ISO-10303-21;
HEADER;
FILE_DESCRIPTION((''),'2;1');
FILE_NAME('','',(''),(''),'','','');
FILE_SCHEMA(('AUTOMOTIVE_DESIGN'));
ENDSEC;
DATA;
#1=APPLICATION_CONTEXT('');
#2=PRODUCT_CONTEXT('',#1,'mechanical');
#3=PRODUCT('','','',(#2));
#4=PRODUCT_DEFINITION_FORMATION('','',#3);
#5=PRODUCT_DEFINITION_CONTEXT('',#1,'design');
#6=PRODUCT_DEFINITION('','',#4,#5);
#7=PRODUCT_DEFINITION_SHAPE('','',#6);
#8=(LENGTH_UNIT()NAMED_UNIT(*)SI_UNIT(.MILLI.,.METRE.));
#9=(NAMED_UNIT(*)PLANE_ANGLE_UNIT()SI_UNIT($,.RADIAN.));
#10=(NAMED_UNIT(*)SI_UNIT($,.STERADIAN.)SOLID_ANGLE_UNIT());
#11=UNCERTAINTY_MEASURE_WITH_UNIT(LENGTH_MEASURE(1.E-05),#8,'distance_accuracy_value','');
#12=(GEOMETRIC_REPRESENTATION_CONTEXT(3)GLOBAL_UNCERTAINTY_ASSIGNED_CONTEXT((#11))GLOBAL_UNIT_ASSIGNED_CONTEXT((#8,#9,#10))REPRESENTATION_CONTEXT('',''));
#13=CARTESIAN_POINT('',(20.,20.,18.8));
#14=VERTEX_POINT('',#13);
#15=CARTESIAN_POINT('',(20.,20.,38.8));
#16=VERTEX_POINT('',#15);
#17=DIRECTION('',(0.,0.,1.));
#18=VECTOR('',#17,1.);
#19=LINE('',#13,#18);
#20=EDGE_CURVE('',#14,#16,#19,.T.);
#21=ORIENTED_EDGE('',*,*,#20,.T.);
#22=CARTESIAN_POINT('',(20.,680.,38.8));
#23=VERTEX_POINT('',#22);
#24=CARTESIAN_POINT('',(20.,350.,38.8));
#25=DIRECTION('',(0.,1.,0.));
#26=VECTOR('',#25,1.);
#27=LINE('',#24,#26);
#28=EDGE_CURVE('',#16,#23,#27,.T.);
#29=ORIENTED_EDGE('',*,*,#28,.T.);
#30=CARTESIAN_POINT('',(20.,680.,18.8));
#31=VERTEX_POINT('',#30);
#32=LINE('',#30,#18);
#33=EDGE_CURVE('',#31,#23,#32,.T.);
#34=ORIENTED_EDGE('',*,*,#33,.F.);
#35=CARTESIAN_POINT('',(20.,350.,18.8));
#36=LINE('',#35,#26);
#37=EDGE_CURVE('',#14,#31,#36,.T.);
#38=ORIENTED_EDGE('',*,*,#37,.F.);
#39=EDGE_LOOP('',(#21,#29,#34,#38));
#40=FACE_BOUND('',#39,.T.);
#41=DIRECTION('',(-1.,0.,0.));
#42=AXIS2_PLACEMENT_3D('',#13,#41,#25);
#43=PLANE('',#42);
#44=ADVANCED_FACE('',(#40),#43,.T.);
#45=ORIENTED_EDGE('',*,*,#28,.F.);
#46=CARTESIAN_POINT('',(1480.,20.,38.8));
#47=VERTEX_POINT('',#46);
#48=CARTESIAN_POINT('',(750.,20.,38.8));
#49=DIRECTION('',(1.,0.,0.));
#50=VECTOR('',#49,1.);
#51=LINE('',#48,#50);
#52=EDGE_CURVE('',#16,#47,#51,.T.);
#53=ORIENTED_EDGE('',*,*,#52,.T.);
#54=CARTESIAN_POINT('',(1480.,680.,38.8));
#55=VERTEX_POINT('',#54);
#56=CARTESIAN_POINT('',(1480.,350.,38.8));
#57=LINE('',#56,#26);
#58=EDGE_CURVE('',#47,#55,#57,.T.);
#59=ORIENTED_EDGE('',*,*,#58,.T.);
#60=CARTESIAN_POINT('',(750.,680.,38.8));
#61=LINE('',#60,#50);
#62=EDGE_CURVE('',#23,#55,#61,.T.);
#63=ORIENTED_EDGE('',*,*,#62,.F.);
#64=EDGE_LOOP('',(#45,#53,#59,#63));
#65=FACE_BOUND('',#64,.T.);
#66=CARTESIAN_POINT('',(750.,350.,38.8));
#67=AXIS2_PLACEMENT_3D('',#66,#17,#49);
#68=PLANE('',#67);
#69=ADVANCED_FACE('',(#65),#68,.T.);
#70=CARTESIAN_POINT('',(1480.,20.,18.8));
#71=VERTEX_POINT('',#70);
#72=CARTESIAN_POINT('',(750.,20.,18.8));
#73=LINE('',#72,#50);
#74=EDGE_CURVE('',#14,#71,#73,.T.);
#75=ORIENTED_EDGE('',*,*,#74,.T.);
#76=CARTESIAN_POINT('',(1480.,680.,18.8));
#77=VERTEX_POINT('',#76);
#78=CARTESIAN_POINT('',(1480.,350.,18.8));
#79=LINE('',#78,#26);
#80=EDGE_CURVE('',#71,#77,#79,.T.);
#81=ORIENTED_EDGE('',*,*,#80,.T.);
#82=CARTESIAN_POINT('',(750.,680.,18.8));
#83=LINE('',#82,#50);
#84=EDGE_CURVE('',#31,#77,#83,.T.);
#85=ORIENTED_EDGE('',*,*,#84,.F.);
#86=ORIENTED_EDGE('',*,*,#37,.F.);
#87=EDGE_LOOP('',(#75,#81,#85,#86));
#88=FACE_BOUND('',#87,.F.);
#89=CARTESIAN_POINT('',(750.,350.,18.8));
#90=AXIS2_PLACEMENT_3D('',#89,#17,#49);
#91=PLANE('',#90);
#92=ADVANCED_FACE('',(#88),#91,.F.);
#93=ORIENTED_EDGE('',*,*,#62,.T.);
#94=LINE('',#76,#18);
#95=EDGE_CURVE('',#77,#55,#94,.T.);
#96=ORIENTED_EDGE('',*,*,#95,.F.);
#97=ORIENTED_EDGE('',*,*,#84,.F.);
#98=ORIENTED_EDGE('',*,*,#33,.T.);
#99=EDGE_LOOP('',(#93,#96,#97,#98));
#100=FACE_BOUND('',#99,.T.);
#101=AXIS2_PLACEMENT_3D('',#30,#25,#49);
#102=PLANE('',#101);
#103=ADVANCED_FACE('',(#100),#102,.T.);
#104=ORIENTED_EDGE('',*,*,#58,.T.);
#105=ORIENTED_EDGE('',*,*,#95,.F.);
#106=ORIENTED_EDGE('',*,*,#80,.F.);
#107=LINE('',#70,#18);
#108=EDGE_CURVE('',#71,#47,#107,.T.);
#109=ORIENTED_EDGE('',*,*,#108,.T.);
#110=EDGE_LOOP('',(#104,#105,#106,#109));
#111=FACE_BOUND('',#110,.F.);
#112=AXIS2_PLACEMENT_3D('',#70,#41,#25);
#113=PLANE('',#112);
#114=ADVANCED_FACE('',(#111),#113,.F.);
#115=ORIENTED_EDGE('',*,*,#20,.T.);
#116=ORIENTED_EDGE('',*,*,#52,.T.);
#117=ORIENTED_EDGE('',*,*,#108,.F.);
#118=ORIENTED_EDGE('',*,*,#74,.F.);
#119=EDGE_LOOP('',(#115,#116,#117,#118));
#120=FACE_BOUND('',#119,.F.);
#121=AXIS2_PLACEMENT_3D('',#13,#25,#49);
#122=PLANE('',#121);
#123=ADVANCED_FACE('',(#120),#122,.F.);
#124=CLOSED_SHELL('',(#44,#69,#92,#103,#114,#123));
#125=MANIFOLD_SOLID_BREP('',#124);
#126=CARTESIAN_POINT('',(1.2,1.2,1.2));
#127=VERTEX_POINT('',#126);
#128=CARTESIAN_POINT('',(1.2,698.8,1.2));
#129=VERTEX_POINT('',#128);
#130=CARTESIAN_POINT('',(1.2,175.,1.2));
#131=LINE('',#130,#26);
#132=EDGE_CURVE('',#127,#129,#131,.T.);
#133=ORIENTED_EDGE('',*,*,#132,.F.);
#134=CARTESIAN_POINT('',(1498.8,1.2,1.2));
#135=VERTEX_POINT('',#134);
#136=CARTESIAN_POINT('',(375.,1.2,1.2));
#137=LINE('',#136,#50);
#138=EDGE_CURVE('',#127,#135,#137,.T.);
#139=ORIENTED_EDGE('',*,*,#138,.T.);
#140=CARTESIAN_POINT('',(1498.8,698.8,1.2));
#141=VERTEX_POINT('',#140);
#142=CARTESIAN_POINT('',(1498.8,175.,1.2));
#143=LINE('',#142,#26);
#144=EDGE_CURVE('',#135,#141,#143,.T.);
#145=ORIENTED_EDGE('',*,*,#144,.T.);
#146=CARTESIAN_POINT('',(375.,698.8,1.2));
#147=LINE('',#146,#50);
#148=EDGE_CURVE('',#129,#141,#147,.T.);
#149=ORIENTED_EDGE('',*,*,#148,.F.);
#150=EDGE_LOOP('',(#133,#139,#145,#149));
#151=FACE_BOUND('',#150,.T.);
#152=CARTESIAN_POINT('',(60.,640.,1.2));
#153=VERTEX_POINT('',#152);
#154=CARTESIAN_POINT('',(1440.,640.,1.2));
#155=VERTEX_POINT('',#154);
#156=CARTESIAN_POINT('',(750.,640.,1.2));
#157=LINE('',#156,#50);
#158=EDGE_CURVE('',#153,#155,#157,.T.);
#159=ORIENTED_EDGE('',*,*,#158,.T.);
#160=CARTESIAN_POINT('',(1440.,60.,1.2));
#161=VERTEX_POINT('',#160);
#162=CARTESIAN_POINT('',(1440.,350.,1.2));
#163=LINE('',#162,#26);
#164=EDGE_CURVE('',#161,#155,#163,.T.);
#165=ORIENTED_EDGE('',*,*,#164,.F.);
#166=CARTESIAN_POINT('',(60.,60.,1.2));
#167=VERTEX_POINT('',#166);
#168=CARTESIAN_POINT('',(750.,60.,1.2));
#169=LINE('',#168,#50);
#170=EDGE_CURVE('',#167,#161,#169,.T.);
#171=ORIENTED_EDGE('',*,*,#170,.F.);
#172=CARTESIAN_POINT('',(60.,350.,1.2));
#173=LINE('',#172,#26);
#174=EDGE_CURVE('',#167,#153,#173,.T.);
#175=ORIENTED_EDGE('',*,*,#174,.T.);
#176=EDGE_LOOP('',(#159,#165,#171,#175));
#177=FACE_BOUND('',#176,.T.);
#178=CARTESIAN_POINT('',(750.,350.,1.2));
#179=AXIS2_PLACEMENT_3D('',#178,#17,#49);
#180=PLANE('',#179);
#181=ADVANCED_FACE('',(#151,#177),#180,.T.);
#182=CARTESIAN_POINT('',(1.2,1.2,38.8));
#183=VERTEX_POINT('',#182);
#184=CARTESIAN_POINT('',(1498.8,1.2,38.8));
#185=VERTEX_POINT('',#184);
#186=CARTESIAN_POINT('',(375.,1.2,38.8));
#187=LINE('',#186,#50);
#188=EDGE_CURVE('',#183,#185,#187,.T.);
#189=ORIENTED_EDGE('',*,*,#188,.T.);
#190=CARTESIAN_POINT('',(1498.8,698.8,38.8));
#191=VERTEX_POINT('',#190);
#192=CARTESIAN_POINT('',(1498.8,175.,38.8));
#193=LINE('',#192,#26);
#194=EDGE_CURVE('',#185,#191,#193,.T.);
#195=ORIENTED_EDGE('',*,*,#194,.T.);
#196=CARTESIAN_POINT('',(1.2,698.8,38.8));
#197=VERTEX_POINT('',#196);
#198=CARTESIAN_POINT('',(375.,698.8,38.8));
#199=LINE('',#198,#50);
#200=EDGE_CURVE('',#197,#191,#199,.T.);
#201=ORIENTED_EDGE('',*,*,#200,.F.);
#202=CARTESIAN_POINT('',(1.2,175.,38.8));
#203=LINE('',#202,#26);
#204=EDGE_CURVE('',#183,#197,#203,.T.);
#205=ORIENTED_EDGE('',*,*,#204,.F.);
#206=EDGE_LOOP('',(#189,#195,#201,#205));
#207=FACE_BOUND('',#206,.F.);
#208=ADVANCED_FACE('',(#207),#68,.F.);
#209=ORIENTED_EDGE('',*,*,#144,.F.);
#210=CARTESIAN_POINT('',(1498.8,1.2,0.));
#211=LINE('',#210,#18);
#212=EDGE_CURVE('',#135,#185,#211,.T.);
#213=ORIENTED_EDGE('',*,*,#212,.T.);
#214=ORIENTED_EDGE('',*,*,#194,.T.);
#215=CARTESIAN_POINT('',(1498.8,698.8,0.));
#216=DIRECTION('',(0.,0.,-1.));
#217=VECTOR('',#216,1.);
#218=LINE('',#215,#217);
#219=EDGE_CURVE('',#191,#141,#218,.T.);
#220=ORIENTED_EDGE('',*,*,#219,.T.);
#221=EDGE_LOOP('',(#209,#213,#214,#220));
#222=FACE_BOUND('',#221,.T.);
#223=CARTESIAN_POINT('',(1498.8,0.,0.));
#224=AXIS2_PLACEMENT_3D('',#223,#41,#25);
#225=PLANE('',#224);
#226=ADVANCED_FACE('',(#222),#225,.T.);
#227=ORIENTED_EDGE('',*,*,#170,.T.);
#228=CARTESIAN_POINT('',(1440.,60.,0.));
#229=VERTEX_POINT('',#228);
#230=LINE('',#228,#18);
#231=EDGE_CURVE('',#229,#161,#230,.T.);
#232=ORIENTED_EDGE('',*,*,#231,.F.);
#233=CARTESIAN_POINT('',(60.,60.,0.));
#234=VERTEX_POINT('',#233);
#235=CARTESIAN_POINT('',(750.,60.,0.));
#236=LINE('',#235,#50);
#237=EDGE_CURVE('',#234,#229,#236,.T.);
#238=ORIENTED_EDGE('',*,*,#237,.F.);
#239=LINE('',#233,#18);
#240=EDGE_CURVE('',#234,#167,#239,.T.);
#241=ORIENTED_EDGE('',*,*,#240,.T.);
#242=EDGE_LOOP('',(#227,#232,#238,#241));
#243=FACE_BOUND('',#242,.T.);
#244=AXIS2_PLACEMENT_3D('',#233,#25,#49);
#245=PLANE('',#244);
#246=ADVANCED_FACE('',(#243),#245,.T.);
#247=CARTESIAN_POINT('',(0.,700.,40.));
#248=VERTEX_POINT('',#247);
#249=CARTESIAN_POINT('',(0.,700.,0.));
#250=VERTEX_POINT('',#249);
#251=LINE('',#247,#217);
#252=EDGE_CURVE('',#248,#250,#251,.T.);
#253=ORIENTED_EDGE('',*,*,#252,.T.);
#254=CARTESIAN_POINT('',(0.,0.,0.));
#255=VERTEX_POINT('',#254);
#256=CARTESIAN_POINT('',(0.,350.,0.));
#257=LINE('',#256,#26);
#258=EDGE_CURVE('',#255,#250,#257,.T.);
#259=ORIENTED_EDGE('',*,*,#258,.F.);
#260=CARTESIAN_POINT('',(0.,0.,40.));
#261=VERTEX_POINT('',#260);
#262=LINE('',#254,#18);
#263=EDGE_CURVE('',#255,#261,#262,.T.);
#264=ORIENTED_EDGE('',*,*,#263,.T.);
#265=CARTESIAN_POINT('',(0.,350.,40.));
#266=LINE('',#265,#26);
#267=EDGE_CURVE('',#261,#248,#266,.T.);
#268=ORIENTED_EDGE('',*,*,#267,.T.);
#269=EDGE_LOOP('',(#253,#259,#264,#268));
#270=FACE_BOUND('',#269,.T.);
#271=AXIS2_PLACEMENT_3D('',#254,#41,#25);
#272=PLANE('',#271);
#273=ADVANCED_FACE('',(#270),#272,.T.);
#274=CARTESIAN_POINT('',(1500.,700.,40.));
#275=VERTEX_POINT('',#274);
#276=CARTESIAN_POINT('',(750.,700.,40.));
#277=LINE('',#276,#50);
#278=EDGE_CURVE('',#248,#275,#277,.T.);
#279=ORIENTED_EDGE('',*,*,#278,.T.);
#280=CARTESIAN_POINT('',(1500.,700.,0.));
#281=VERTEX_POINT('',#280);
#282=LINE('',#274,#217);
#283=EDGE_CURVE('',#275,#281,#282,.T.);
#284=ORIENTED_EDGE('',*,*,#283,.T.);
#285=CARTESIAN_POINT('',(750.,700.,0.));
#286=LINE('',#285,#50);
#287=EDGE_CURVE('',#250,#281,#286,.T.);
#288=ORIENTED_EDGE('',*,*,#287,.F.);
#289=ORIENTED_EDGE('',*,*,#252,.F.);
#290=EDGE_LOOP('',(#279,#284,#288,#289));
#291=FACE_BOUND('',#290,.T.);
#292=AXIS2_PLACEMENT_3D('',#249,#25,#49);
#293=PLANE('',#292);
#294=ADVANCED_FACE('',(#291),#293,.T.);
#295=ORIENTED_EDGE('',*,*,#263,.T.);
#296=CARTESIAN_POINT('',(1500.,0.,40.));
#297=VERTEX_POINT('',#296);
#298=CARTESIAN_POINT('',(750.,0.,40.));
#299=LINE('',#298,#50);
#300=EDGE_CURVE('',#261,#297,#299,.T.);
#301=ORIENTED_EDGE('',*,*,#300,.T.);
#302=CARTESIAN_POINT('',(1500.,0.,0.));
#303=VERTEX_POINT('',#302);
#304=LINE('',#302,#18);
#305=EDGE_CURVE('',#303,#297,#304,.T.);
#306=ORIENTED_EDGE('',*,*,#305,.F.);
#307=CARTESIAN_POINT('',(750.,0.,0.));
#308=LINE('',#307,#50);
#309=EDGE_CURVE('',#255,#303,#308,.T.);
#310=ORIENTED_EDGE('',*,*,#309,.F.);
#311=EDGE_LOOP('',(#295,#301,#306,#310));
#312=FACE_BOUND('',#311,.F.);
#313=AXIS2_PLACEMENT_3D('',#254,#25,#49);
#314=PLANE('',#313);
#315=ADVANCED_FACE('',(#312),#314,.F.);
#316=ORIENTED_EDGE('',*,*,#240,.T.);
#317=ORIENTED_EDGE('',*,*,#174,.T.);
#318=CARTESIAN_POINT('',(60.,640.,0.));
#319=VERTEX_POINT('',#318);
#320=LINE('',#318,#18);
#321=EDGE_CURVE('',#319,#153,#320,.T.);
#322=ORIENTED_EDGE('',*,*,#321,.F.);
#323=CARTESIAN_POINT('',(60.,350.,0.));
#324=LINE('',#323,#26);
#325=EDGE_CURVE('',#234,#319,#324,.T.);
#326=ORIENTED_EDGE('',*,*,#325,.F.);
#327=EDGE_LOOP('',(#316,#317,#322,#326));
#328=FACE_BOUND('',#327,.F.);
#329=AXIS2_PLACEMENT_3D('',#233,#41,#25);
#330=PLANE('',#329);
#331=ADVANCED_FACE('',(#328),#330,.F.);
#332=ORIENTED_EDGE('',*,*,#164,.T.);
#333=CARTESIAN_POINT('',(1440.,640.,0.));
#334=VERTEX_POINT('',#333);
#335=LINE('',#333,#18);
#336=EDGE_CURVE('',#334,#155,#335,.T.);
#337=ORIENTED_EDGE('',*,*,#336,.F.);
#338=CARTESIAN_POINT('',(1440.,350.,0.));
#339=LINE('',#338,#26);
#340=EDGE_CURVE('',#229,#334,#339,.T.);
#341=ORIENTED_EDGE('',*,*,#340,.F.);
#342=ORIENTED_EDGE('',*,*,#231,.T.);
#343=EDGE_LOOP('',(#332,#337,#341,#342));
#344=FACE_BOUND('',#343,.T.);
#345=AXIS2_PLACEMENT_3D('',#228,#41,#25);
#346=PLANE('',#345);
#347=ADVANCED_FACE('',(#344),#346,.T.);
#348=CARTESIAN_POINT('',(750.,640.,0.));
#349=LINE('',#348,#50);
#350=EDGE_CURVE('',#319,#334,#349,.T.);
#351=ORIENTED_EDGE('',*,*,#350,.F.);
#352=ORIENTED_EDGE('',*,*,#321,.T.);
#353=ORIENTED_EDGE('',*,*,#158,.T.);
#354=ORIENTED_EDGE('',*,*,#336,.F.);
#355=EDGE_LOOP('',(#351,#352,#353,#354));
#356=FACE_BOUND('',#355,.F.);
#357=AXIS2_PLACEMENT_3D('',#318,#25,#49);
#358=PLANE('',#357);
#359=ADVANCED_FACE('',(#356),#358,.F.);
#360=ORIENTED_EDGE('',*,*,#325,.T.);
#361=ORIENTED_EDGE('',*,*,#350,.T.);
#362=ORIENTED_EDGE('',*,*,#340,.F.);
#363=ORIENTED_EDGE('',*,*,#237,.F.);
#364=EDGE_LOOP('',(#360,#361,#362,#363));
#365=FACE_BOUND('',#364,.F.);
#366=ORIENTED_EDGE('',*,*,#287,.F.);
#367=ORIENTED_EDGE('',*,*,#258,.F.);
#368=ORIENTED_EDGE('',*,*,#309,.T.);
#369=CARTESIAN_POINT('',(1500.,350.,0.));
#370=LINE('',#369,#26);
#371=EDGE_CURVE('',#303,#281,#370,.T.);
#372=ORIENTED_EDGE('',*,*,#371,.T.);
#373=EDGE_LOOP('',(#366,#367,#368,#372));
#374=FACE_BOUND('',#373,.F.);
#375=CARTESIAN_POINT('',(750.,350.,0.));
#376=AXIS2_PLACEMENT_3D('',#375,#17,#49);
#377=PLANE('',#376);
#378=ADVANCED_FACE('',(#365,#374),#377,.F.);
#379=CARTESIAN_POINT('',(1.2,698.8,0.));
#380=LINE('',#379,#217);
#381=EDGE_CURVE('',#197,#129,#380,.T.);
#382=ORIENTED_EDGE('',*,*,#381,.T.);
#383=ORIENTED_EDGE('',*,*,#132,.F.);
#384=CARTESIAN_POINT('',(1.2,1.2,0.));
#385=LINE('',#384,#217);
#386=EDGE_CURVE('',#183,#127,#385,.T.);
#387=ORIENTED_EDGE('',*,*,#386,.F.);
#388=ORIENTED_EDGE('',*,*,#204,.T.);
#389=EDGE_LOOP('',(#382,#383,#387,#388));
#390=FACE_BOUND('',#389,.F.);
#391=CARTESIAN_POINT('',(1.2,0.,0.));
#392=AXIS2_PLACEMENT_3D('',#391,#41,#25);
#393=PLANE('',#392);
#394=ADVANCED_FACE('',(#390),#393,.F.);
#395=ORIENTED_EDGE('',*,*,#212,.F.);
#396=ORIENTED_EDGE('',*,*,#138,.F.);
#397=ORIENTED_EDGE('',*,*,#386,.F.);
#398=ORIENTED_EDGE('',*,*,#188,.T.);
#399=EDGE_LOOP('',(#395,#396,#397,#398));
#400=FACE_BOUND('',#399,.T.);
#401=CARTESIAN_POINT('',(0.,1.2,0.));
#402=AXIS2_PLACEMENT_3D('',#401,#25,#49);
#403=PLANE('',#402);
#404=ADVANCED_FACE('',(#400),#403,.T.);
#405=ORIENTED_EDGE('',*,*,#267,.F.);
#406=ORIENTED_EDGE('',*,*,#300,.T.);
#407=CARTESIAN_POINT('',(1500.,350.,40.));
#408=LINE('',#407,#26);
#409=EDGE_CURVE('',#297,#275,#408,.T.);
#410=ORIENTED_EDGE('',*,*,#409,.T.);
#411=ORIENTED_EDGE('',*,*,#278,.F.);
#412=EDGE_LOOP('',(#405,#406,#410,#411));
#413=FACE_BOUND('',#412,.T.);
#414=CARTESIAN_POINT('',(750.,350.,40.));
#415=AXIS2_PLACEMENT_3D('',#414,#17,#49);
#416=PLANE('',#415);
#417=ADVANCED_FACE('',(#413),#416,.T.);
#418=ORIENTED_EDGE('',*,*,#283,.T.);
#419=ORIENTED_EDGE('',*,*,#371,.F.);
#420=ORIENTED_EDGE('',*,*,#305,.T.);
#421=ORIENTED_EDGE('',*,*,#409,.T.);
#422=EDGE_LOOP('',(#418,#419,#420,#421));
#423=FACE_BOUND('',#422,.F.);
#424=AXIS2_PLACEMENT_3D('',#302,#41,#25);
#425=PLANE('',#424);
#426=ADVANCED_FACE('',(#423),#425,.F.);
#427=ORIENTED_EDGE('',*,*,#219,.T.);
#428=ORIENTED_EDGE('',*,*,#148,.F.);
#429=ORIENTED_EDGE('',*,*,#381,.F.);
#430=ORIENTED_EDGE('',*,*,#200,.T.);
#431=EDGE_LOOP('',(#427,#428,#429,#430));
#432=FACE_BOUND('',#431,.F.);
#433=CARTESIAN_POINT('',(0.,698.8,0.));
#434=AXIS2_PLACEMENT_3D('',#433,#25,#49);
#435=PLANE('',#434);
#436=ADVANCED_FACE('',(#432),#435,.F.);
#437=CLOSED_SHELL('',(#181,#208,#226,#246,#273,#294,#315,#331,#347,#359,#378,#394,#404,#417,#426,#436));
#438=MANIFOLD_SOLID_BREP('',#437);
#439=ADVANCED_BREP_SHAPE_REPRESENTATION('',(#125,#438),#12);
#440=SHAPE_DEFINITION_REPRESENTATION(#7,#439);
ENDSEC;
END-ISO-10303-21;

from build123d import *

# Parameters (mm, degrees)
F1_W     = 1500
F1_H     = 700
F1_W_2   = 1380
F1_H_2   = 580
F2_DEPTH = 40
F3_T     = -1.2
F4_DEPTH = 1.2
F6_START = 18.8
F5_W     = 1460
F5_H     = 660
F6_DEPTH = 20


with BuildPart() as f2:
    # F1 (on Top) → F2 (new body)
    with BuildSketch(Plane.XY):
        with Locations((750, 350)):
            Rectangle(F1_W, F1_H)
        with Locations((750, 350)):
            Rectangle(F1_W_2, F1_H_2, mode=Mode.SUBTRACT)
        with Locations((750, 350)):
            Rectangle(F1_W_2, F1_H_2)
    extrude(amount=F2_DEPTH)

    # F3
    f3_openings = [f2.faces().sort_by_distance(p)[0] for p in [
        (750, 350, 0),
    ]]
    offset(amount=F3_T, openings=f3_openings)

    # F1 (on Top) → F4 (join)
    with BuildSketch(Plane.XY):
        with Locations((750, 350)):
            Rectangle(F1_W, F1_H)
        with Locations((750, 350)):
            Rectangle(F1_W_2, F1_H_2, mode=Mode.SUBTRACT)
    extrude(amount=F4_DEPTH)


with BuildPart() as f6:
    # F5 (on Top) → F6 (new body)
    with BuildSketch(Plane.XY.offset(F6_START)):
        with Locations((750, 350)):
            Rectangle(F5_W, F5_H)
    extrude(amount=F6_DEPTH)


solid = Compound([f2.part, f6.part])
